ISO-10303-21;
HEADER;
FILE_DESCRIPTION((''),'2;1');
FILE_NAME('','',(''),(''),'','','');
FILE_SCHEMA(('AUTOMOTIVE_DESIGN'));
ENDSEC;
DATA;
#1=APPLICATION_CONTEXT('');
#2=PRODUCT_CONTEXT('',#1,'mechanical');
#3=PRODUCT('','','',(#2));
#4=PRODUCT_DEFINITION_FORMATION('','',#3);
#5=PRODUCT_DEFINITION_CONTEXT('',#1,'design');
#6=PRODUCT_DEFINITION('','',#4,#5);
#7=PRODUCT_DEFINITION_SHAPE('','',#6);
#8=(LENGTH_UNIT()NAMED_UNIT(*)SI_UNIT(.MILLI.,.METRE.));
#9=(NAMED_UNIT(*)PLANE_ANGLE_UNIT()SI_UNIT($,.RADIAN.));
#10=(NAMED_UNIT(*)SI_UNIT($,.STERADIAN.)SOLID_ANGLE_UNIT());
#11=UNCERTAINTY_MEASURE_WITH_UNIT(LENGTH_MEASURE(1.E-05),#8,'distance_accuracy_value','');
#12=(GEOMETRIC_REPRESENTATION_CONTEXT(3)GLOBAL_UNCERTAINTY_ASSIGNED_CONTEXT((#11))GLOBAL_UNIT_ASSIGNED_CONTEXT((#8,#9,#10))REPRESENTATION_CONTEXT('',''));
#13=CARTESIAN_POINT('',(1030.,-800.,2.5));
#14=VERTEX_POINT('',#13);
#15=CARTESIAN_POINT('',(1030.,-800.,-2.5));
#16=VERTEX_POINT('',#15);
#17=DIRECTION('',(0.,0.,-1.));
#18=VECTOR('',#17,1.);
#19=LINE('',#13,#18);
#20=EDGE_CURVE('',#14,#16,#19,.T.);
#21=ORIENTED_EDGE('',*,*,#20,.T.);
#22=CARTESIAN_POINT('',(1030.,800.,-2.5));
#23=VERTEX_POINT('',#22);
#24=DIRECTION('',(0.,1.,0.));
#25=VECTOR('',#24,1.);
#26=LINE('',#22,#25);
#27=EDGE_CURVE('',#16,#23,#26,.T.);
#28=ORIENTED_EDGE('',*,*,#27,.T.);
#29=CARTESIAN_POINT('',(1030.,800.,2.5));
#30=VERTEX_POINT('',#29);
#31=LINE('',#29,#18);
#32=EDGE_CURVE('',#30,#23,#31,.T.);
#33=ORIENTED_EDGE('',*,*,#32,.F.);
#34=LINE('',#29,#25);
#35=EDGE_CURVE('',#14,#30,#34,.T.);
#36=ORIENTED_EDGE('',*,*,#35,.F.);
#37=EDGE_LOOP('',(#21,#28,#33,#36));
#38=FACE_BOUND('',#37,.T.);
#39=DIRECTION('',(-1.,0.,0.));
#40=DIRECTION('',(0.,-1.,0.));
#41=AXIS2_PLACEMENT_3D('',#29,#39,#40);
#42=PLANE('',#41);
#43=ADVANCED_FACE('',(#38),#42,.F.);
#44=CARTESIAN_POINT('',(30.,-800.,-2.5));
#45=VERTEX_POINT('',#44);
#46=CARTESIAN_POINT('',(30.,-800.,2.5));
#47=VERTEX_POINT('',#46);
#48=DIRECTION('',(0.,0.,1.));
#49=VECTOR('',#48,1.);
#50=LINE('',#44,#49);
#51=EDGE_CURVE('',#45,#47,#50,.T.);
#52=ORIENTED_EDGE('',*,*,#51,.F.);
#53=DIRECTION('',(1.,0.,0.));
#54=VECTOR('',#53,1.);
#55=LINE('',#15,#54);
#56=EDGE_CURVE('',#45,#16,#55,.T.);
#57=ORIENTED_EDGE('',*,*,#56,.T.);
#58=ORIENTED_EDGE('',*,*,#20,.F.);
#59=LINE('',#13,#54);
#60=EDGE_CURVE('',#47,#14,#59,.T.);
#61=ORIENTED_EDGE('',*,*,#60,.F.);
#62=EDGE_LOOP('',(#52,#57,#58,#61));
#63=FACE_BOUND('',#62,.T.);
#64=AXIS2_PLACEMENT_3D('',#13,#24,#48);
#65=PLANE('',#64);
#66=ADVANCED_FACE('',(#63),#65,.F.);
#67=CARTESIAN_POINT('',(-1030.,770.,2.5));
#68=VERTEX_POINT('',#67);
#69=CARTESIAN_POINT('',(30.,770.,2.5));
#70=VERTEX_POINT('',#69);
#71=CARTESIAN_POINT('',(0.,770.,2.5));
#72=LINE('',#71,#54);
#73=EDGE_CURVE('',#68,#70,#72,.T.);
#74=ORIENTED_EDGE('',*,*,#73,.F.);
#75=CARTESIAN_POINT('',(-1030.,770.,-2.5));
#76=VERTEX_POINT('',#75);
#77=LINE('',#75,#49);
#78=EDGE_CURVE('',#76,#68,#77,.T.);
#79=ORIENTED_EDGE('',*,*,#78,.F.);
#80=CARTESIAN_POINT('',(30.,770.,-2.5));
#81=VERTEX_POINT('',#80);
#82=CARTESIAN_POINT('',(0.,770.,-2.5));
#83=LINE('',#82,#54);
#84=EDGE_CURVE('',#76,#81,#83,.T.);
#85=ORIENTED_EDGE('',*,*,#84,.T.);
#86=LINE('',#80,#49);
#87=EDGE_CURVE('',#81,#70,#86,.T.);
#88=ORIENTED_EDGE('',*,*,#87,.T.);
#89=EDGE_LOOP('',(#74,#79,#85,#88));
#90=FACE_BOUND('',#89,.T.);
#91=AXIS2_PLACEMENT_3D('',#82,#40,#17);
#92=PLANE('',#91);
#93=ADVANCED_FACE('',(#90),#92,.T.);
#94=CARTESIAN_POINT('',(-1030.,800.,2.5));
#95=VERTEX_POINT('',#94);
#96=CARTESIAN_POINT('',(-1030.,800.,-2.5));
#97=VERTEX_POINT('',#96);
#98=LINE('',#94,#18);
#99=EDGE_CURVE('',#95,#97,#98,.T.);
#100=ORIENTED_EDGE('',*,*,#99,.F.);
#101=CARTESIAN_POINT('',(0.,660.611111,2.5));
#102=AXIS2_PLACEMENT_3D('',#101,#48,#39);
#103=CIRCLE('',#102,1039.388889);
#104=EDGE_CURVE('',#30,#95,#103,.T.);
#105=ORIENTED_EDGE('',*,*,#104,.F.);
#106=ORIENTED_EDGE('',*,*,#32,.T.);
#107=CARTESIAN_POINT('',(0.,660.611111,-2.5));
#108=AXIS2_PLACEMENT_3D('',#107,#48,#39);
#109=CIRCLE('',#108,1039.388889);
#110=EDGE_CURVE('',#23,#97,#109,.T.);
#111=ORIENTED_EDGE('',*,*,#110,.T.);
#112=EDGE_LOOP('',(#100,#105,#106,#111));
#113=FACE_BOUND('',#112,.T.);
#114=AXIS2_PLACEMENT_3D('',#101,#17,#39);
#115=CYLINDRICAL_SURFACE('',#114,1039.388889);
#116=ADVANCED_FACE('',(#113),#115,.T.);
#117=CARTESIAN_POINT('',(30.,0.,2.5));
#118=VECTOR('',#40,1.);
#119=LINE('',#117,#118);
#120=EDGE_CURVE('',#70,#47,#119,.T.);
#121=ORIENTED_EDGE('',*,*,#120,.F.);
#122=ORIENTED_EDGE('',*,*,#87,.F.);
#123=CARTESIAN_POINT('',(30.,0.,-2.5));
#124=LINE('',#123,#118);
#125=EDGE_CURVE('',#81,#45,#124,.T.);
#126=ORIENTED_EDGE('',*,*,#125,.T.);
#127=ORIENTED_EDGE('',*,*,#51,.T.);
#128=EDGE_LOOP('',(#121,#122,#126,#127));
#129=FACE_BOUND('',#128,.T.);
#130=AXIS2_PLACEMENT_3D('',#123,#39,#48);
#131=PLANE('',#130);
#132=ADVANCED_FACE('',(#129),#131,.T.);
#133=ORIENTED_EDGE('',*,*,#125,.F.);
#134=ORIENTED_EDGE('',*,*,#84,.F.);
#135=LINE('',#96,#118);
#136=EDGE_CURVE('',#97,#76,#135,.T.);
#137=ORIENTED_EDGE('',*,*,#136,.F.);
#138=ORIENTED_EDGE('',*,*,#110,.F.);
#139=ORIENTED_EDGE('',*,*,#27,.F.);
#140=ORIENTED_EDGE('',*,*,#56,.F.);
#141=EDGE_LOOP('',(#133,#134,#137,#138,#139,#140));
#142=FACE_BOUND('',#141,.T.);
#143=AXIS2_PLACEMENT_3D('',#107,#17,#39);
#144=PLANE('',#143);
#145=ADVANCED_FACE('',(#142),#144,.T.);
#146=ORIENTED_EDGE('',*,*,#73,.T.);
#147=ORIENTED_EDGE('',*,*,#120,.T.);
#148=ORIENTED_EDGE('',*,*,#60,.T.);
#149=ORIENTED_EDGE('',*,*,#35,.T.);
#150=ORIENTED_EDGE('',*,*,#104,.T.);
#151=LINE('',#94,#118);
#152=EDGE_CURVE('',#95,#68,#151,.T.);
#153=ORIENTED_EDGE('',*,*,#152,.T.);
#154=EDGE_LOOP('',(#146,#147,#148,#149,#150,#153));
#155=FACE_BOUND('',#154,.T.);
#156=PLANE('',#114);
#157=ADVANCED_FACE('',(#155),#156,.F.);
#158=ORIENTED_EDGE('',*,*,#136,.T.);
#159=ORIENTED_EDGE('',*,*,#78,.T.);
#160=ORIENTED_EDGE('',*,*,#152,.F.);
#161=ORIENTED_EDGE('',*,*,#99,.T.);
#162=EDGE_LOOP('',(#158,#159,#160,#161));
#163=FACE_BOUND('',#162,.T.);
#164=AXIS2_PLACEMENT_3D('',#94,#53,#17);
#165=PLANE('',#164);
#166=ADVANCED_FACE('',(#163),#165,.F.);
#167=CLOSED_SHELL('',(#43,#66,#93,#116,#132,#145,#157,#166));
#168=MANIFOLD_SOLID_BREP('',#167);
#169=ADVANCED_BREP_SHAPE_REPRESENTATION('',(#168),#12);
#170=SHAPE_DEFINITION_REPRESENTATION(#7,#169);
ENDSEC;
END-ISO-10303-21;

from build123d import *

# Parameters (mm, degrees)
BOSS_EXTRUDE1_DEPTH = 2.5
SKETCH2_W           = 1060
SKETCH2_H           = 1570
CUT_EXTRUDE2_DEPTH  = 6


with BuildPart() as part:
    # Sketch1 → Boss-Extrude1 (new body, symmetric)
    with BuildSketch(Plane.XY):
        with BuildLine():
            Line((1030, 800), (1030, -800))
            Line((1030, -800), (-1030, -800))
            Line((-1030, -800), (-1030, 800))
            ThreePointArc((-1030, 800), (0, 1700), (1030, 800))
        make_face()
    extrude(amount=BOSS_EXTRUDE1_DEPTH, both=True)

    # Sketch2 → Cut-Extrude2 (cut, through all)
    with BuildSketch(Plane.XY.offset(2.5)):
        with Locations((-500, -15)):
            Rectangle(SKETCH2_W, SKETCH2_H)
    extrude(amount=-CUT_EXTRUDE2_DEPTH, mode=Mode.SUBTRACT)


solid = part.part
